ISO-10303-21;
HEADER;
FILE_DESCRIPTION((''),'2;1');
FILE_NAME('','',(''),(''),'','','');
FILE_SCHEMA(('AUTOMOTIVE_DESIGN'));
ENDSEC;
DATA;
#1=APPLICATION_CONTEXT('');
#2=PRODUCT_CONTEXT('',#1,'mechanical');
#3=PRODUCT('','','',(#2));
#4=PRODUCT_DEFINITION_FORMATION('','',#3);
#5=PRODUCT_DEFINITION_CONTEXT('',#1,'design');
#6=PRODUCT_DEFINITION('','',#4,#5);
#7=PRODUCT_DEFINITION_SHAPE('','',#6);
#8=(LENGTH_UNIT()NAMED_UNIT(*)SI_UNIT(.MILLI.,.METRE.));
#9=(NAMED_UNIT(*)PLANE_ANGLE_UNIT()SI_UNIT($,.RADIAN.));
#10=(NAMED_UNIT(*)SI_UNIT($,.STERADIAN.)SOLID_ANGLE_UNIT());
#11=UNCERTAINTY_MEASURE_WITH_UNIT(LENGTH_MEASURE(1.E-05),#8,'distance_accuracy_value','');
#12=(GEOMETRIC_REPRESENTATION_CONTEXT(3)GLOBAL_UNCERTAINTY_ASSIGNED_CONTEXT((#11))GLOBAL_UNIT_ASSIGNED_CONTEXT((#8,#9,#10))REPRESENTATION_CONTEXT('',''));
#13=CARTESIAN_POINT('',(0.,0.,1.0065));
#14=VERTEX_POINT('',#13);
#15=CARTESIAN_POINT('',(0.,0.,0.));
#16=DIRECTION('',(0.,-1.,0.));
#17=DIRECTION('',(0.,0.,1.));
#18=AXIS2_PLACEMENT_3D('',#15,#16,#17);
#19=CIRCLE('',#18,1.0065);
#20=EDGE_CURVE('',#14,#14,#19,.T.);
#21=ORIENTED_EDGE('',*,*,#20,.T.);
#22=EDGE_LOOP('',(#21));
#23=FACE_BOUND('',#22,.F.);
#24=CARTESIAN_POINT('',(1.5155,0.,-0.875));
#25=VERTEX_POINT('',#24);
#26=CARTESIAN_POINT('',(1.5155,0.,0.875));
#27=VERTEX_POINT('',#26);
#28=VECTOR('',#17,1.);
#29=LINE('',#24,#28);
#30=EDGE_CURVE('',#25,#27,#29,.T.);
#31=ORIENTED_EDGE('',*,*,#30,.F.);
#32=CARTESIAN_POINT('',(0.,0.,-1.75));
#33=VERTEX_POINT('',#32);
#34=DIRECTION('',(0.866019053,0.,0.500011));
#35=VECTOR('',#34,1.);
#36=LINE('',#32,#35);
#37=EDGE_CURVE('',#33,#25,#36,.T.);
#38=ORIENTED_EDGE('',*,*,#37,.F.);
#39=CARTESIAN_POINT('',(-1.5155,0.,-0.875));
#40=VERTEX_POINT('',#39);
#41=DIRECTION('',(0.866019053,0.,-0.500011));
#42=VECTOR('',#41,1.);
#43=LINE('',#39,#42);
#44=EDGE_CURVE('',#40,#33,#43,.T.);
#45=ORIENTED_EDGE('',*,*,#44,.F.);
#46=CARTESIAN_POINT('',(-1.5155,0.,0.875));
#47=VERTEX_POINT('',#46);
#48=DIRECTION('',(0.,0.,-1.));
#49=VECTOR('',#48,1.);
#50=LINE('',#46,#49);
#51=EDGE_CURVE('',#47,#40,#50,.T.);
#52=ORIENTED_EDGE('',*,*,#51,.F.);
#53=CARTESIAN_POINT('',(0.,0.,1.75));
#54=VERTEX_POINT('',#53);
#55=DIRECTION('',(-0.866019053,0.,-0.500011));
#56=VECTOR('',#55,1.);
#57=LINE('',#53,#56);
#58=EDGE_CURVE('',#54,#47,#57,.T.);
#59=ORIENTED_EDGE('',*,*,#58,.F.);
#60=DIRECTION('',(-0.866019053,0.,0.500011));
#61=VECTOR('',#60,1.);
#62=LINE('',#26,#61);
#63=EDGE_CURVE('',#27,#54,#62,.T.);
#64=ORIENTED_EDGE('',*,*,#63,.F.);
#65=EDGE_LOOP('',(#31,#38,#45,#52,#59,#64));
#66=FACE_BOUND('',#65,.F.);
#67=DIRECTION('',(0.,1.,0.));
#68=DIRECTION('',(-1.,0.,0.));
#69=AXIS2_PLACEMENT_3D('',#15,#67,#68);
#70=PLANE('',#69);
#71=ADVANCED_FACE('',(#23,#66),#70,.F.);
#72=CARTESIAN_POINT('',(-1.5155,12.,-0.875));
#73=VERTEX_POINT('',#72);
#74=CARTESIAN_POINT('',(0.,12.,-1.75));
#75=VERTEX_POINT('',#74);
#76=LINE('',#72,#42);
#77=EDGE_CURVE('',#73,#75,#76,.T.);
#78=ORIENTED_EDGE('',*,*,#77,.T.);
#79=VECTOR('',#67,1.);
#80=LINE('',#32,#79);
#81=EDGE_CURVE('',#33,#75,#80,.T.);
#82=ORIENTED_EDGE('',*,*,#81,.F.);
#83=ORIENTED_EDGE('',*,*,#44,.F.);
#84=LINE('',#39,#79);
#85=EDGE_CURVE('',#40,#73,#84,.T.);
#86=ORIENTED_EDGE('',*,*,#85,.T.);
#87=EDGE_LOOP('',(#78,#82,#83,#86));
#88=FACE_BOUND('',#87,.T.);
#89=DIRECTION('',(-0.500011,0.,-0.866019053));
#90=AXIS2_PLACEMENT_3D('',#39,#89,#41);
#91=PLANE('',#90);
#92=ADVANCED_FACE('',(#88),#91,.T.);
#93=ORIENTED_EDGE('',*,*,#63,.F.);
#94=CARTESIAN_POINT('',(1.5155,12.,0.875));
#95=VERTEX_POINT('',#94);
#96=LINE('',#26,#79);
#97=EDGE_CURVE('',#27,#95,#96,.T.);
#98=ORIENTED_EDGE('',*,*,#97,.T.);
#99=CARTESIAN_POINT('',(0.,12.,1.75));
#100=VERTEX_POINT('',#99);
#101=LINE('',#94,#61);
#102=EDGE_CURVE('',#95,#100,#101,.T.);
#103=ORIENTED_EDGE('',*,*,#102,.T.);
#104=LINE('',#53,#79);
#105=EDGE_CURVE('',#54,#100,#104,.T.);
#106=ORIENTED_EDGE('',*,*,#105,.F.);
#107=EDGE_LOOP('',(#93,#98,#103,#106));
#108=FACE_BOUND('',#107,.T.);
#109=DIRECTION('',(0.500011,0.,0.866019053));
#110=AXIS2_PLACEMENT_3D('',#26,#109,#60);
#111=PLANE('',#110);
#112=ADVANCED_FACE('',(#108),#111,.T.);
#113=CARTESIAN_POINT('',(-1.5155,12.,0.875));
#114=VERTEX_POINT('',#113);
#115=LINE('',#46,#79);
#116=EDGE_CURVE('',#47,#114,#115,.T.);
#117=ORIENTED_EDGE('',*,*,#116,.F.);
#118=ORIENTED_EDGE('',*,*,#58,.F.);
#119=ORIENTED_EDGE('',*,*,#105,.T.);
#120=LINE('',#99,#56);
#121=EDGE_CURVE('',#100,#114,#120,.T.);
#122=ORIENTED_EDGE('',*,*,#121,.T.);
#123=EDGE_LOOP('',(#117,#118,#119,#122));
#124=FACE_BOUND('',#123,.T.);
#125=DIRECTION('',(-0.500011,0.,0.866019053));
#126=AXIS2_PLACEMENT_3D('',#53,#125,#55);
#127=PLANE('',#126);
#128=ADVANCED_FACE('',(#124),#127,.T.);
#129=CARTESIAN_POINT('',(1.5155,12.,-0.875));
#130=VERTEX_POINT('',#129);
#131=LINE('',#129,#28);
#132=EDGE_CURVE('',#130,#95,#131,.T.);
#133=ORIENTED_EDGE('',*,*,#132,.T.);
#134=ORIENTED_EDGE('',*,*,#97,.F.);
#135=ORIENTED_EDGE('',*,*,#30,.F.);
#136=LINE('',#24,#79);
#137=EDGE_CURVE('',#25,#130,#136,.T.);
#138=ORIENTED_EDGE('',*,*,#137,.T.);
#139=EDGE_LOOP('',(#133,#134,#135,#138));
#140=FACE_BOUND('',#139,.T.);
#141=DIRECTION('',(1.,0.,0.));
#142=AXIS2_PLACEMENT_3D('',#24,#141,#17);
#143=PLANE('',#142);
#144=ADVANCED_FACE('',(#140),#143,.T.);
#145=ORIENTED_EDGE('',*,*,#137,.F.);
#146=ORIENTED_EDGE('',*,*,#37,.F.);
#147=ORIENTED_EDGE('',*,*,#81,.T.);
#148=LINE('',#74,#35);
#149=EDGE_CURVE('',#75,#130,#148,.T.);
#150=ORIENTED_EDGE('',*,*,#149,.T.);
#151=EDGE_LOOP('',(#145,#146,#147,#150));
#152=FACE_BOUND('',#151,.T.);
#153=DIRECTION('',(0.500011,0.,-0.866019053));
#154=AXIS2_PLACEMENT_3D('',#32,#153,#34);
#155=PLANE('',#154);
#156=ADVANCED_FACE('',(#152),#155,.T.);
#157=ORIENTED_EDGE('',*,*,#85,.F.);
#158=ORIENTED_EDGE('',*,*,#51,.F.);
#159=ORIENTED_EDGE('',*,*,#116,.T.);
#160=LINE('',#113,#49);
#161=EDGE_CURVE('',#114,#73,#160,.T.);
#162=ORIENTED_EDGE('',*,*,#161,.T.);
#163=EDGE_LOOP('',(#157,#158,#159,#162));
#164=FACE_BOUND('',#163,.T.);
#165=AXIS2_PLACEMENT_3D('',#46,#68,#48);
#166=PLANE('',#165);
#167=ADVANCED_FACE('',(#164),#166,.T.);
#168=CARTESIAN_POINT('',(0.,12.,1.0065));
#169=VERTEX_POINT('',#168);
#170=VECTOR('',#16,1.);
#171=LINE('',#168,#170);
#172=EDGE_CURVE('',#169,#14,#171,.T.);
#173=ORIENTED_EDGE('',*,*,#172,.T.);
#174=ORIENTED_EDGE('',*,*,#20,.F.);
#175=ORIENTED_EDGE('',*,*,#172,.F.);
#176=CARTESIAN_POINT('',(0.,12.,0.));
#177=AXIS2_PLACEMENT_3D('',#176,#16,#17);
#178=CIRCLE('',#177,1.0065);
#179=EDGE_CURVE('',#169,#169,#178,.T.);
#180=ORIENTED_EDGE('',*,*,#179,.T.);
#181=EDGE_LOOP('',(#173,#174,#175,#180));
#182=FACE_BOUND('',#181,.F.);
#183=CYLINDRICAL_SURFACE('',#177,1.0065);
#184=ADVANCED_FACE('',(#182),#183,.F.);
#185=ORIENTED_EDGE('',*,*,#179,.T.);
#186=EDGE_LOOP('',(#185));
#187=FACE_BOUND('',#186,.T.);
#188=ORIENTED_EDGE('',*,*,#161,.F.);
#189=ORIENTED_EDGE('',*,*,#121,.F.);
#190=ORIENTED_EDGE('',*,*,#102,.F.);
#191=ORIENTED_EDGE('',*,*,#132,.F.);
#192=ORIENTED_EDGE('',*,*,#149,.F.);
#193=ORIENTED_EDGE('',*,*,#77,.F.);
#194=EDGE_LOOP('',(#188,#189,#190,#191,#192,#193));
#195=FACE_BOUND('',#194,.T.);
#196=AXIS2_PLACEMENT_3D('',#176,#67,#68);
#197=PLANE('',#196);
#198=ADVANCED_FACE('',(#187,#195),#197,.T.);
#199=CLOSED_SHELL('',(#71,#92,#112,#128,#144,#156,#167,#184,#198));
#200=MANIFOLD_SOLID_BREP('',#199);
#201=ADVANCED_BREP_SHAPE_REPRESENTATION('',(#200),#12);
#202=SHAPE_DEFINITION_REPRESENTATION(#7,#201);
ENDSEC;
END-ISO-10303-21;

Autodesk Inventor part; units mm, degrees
ref_plane "YZ Plane" through (0, 0, 0) normal (1, 0, 0) x (0, 1, 0)
ref_plane "XZ Plane" through (0, 0, 0) normal (0, 1, 0) x (-1, 0, 0)
ref_plane "XY Plane" through (0, 0, 0) normal (0, 0, 1) x (1, 0, 0)
sketch "Sketch1" plane through (0, 0, 0) normal (0, 1, 0) x (-1, 0, 0)
  line L0 (1.5155, -0.875) -> (0, -1.75)
  line L1 (0, -1.75) -> (-1.5155, -0.875)
  line L2 (-1.5155, -0.875) -> (-1.5155, 0.875)
  line L3 (-1.5155, 0.875) -> (0, 1.75)
  line L4 (0, 1.75) -> (1.5155, 0.875)
  line L5 (1.5155, 0.875) -> (1.5155, -0.875)
  point P0 (0, 0)
  point P1 (0, 0)
  dimension "d0" = 1.75
extrude "Extrusion1" add sketch "Sketch1" along normal blind 12
sketch "Sketch2" plane through (0, 12, 0) normal (0, 1, 0) x (1, 0, 0)
  point P0 (0, 0)
  point P1 (0, 0)
hole "Hole1" at (0, 12, 0) direction (0, -1, 0) diameter 2.013 end through all thread size "M2.5x0.45" class "6H" standard "ANSI Metric M Profile"
sketch "Sketch3" plane through (0, 0, 0) normal (0, -1, 0) x (1, 0, 0)
  point P0 (-34.949, 34.34)
  point P1 (0, 0)
  point P2 (-40.6419, -41.3626)
  point P3 (-75.5909, -7.0226)
sketch "Sketch4" plane through (0, 12, 0) normal (0, 1, 0) x (1, 0, 0)
  point P0 (0, 0)
  point P1 (-34.949, -34.34)
  point P2 (-40.6419, 41.3626)
  point P3 (-75.5909, 7.0226)
properties part number "12mm_M2.5_standoff"
